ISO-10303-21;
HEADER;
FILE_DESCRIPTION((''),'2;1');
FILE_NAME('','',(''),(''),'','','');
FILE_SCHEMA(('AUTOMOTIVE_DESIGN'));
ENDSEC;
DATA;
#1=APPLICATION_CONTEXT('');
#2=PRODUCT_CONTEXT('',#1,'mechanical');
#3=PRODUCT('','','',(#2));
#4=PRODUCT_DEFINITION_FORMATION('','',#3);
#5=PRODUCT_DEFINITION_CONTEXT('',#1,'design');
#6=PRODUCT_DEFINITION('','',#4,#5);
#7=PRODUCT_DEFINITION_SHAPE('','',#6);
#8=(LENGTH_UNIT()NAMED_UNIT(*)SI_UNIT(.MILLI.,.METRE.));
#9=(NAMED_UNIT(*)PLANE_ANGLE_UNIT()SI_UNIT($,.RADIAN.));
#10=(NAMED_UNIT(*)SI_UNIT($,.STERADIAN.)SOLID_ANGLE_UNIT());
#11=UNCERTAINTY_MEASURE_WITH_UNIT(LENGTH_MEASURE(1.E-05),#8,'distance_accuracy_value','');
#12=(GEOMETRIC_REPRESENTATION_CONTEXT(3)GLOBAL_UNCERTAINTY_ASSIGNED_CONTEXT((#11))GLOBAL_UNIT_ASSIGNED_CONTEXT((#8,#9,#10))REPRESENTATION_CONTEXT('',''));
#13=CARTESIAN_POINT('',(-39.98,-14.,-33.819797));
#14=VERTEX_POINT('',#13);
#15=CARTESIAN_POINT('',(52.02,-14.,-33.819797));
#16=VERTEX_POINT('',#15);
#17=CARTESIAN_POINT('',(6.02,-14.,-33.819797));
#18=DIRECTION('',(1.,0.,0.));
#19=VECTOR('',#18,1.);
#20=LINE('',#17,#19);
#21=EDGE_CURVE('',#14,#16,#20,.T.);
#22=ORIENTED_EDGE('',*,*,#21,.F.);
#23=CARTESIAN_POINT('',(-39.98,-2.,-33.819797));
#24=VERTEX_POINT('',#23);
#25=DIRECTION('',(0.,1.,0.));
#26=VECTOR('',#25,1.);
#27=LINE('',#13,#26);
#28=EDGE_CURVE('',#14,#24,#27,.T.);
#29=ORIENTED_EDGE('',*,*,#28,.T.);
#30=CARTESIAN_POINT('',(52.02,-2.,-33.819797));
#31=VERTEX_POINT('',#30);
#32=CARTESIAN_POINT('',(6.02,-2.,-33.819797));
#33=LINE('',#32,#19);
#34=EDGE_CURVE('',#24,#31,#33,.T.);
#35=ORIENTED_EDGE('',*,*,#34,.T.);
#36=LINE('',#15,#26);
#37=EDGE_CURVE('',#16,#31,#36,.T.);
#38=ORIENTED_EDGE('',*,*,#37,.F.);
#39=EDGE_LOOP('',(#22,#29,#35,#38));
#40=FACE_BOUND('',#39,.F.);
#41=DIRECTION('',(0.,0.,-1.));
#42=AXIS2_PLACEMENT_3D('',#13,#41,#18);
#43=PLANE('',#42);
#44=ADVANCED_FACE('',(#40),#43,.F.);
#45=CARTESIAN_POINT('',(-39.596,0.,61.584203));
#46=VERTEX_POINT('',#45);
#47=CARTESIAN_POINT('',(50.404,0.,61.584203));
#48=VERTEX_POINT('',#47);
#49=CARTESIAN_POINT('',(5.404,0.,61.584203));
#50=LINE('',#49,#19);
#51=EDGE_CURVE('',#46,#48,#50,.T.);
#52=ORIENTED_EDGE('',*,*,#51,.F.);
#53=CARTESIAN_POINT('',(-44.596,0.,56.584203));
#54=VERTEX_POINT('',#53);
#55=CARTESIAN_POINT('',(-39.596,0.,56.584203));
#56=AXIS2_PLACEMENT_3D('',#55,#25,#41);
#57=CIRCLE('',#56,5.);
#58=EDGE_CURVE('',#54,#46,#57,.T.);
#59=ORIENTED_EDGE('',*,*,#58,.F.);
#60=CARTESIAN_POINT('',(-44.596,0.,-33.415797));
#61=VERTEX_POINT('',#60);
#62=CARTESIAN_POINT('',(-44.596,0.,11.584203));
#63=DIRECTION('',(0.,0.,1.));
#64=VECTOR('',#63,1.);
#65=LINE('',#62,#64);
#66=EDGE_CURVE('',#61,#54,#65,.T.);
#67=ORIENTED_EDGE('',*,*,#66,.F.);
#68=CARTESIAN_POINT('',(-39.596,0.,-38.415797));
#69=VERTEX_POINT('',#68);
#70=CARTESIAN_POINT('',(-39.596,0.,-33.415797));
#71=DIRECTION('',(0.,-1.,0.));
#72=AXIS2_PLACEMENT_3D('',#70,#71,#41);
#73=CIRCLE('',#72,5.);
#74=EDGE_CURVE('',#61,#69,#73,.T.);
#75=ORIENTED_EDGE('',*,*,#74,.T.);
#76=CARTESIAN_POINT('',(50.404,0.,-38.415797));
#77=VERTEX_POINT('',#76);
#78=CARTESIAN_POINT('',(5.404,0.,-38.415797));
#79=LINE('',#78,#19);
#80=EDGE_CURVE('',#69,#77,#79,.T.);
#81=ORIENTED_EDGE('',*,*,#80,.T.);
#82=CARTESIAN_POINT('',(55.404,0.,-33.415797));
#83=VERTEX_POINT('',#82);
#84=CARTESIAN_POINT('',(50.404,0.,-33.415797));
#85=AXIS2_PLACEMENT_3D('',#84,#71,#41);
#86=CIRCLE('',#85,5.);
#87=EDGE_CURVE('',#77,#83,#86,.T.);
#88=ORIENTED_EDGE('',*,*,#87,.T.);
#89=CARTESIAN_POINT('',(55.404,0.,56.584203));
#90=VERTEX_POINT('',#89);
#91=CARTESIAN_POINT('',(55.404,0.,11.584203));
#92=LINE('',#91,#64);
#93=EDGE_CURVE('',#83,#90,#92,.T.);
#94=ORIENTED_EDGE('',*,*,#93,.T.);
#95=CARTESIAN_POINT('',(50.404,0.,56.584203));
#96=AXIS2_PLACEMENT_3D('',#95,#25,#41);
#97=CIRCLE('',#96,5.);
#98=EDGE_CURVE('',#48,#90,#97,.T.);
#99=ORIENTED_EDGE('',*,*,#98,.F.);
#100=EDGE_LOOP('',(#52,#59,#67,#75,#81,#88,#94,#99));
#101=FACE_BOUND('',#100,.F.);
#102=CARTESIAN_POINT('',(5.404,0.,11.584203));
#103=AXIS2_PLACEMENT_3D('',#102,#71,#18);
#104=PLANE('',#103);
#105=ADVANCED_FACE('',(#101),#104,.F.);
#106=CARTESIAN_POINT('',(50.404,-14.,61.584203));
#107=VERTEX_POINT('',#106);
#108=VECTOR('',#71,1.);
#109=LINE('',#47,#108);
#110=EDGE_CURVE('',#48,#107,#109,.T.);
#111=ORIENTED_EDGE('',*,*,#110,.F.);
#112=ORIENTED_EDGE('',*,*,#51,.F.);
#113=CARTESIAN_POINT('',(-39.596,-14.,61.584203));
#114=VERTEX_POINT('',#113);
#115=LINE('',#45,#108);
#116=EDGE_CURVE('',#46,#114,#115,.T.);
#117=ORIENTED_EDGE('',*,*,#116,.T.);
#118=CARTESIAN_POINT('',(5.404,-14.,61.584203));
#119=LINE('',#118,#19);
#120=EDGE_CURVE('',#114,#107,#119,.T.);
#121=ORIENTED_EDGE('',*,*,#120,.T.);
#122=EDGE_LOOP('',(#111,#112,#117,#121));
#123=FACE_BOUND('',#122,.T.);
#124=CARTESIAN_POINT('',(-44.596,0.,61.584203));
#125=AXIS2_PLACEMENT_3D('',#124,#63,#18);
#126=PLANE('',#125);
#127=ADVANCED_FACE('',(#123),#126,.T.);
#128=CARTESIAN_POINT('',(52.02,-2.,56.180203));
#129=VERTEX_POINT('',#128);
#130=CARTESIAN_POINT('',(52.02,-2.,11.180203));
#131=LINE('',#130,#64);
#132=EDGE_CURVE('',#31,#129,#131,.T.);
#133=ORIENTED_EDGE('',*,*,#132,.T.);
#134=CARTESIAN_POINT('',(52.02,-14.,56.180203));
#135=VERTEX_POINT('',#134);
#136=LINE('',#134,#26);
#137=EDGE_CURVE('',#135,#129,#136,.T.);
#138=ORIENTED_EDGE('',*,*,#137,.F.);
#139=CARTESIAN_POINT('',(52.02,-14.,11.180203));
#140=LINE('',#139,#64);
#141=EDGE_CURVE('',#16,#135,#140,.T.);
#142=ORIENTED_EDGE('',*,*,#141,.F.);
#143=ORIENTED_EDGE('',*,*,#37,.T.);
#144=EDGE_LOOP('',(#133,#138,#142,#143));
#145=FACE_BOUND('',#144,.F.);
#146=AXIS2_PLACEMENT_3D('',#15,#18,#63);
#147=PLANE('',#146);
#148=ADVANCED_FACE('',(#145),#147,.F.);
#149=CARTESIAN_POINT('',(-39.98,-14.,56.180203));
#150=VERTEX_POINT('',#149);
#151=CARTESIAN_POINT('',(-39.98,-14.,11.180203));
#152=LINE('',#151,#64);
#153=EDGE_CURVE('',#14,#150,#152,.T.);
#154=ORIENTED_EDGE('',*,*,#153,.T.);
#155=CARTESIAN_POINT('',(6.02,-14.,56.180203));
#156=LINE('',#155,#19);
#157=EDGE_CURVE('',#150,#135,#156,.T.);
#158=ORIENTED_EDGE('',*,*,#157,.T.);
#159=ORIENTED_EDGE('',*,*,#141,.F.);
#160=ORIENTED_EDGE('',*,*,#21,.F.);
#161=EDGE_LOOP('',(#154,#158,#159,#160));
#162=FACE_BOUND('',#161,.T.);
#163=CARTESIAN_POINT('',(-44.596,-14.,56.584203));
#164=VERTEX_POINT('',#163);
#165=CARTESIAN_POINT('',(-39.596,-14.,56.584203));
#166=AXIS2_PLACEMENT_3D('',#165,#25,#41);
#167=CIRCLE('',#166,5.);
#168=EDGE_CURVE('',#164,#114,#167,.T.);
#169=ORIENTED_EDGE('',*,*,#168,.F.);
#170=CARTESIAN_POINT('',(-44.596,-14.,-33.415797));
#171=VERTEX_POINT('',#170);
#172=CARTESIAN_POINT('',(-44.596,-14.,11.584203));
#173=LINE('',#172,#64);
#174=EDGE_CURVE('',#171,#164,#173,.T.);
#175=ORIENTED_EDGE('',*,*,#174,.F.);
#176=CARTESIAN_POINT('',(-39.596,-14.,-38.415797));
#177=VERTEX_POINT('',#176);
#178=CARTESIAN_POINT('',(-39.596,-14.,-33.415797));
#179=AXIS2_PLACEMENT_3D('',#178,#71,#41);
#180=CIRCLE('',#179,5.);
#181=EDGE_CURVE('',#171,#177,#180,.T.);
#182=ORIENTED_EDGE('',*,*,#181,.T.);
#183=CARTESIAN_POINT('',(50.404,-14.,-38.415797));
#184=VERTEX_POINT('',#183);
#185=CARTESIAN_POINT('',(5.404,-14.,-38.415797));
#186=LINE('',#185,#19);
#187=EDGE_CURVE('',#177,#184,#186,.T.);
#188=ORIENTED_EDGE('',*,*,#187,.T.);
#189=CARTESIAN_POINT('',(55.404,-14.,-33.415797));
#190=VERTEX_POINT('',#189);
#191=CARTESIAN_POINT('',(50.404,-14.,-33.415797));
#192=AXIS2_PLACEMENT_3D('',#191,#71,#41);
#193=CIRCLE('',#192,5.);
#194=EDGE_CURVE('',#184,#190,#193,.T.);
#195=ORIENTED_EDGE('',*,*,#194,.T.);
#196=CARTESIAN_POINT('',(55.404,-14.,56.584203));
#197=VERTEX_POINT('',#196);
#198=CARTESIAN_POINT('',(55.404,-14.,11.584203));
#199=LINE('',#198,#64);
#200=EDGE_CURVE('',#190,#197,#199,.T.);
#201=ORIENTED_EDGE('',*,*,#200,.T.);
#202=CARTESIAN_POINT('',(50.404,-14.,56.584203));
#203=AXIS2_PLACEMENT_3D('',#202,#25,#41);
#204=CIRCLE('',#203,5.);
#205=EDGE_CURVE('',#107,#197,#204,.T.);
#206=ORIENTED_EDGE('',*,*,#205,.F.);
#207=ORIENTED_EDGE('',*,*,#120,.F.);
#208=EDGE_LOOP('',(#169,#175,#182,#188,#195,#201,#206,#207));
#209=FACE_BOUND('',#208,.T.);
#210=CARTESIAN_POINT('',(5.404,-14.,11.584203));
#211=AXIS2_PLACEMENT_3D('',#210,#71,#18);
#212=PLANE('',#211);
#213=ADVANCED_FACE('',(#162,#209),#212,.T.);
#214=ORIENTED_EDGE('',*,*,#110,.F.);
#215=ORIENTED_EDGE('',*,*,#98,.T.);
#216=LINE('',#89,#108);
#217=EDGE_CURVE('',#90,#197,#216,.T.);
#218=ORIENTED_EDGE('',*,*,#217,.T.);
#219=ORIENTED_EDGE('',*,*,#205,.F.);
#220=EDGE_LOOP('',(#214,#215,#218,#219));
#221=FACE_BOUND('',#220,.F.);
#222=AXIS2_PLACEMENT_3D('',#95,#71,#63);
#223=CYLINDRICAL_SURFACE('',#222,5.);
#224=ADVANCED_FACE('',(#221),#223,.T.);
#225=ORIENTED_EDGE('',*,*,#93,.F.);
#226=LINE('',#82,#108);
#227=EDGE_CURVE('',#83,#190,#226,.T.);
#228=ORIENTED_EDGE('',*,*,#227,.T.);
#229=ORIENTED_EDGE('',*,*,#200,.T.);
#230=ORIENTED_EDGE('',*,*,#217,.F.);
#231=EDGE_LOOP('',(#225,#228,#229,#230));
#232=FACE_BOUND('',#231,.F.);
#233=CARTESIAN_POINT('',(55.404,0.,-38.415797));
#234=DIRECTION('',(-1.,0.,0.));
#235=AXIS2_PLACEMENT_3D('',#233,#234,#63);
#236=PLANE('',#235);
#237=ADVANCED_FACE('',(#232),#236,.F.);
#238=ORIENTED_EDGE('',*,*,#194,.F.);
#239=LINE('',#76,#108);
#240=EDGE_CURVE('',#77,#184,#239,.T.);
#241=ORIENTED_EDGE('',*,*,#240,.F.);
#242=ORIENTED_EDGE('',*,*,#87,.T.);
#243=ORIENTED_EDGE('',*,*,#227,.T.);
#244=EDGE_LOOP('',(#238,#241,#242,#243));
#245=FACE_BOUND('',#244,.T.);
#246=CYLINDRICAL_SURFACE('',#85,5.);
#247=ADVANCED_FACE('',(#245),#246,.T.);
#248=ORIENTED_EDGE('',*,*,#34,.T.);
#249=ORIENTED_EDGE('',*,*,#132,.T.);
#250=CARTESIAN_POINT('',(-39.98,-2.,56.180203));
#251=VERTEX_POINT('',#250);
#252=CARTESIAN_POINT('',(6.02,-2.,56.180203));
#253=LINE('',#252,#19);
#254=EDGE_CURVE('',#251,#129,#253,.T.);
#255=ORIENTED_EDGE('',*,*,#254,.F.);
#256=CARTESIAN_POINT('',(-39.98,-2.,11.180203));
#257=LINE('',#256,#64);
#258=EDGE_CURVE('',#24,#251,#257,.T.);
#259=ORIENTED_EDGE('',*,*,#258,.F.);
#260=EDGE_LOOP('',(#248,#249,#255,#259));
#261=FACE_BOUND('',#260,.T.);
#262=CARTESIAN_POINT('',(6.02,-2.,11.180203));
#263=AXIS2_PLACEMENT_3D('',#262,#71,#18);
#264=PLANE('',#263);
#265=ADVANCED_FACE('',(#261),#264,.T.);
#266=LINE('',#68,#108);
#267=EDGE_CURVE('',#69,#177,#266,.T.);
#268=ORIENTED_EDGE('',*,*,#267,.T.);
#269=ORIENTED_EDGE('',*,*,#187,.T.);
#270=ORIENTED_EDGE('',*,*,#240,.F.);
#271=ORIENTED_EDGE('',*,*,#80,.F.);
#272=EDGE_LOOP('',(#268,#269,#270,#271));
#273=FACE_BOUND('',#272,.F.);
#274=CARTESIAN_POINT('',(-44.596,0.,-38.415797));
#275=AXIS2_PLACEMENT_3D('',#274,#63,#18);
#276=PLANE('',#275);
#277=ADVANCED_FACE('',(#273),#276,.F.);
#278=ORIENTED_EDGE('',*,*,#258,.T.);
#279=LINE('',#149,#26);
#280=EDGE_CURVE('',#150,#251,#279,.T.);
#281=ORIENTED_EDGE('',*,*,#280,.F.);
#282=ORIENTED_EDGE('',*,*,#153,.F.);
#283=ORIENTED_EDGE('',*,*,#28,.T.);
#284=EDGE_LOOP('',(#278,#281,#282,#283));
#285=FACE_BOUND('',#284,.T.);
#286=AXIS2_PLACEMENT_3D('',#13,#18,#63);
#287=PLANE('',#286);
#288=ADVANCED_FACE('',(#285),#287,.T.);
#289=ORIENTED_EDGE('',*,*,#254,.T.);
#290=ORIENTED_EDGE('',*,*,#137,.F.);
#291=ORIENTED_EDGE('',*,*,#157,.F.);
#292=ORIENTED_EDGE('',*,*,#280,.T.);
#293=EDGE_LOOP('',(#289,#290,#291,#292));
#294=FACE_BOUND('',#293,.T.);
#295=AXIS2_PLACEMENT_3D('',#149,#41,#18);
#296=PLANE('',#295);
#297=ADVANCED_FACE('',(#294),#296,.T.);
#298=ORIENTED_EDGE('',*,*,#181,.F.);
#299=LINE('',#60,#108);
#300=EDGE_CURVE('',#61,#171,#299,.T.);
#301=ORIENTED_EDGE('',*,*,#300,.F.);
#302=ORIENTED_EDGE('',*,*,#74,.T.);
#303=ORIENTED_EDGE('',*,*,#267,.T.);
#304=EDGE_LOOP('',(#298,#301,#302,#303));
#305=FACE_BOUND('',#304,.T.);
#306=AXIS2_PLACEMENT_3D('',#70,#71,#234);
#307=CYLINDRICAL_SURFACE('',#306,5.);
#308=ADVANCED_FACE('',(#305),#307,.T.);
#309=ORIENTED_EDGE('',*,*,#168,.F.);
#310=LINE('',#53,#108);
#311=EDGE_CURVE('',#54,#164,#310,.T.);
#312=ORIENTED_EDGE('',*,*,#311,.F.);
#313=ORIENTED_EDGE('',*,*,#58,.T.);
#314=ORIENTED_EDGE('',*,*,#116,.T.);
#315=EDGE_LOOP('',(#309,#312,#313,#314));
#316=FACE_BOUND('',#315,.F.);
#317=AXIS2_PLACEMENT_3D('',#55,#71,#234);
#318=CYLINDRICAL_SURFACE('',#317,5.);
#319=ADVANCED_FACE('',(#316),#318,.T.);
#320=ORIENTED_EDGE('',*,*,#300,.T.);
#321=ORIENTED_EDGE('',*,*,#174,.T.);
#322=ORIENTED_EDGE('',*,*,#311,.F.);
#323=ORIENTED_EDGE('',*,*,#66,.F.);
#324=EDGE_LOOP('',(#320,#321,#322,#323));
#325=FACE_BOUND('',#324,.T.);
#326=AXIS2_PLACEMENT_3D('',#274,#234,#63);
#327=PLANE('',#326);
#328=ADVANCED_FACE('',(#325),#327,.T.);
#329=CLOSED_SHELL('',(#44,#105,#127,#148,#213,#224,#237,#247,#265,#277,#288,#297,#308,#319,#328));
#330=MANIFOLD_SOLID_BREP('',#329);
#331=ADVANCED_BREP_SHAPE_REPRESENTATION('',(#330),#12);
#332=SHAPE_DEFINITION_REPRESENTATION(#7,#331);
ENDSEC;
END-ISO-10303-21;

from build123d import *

# Parameters (mm, degrees)
F0_W     = 100
F0_H     = 100
F1_DEPTH = 14
F2_W     = 92
F2_H     = 90
F3_DEPTH = 12
F4_R     = 5


with BuildPart() as f1:
    # F0 (on Front) → F1 (new body)
    with BuildSketch(Plane.XZ):
        with Locations((5.404, 11.584203)):
            Rectangle(F0_W, F0_H)
    extrude(amount=F1_DEPTH)

    # F2 (on face) → F3 (cut)
    with BuildSketch(Plane.XZ.offset(14)):
        with Locations((6.02, 11.180203)):
            Rectangle(F2_W, F2_H)
    extrude(amount=-F3_DEPTH, mode=Mode.SUBTRACT)

    # F4
    f4_edges = [f1.edges().sort_by_distance(p)[0] for p in [
        (-44.596, -7, -38.415797),
        (55.404, -7, -38.415797),
        (55.404, -7, 61.584203),
        (-44.596, -7, 61.584203),
    ]]
    fillet(f4_edges, radius=F4_R)


solid = f1.part
